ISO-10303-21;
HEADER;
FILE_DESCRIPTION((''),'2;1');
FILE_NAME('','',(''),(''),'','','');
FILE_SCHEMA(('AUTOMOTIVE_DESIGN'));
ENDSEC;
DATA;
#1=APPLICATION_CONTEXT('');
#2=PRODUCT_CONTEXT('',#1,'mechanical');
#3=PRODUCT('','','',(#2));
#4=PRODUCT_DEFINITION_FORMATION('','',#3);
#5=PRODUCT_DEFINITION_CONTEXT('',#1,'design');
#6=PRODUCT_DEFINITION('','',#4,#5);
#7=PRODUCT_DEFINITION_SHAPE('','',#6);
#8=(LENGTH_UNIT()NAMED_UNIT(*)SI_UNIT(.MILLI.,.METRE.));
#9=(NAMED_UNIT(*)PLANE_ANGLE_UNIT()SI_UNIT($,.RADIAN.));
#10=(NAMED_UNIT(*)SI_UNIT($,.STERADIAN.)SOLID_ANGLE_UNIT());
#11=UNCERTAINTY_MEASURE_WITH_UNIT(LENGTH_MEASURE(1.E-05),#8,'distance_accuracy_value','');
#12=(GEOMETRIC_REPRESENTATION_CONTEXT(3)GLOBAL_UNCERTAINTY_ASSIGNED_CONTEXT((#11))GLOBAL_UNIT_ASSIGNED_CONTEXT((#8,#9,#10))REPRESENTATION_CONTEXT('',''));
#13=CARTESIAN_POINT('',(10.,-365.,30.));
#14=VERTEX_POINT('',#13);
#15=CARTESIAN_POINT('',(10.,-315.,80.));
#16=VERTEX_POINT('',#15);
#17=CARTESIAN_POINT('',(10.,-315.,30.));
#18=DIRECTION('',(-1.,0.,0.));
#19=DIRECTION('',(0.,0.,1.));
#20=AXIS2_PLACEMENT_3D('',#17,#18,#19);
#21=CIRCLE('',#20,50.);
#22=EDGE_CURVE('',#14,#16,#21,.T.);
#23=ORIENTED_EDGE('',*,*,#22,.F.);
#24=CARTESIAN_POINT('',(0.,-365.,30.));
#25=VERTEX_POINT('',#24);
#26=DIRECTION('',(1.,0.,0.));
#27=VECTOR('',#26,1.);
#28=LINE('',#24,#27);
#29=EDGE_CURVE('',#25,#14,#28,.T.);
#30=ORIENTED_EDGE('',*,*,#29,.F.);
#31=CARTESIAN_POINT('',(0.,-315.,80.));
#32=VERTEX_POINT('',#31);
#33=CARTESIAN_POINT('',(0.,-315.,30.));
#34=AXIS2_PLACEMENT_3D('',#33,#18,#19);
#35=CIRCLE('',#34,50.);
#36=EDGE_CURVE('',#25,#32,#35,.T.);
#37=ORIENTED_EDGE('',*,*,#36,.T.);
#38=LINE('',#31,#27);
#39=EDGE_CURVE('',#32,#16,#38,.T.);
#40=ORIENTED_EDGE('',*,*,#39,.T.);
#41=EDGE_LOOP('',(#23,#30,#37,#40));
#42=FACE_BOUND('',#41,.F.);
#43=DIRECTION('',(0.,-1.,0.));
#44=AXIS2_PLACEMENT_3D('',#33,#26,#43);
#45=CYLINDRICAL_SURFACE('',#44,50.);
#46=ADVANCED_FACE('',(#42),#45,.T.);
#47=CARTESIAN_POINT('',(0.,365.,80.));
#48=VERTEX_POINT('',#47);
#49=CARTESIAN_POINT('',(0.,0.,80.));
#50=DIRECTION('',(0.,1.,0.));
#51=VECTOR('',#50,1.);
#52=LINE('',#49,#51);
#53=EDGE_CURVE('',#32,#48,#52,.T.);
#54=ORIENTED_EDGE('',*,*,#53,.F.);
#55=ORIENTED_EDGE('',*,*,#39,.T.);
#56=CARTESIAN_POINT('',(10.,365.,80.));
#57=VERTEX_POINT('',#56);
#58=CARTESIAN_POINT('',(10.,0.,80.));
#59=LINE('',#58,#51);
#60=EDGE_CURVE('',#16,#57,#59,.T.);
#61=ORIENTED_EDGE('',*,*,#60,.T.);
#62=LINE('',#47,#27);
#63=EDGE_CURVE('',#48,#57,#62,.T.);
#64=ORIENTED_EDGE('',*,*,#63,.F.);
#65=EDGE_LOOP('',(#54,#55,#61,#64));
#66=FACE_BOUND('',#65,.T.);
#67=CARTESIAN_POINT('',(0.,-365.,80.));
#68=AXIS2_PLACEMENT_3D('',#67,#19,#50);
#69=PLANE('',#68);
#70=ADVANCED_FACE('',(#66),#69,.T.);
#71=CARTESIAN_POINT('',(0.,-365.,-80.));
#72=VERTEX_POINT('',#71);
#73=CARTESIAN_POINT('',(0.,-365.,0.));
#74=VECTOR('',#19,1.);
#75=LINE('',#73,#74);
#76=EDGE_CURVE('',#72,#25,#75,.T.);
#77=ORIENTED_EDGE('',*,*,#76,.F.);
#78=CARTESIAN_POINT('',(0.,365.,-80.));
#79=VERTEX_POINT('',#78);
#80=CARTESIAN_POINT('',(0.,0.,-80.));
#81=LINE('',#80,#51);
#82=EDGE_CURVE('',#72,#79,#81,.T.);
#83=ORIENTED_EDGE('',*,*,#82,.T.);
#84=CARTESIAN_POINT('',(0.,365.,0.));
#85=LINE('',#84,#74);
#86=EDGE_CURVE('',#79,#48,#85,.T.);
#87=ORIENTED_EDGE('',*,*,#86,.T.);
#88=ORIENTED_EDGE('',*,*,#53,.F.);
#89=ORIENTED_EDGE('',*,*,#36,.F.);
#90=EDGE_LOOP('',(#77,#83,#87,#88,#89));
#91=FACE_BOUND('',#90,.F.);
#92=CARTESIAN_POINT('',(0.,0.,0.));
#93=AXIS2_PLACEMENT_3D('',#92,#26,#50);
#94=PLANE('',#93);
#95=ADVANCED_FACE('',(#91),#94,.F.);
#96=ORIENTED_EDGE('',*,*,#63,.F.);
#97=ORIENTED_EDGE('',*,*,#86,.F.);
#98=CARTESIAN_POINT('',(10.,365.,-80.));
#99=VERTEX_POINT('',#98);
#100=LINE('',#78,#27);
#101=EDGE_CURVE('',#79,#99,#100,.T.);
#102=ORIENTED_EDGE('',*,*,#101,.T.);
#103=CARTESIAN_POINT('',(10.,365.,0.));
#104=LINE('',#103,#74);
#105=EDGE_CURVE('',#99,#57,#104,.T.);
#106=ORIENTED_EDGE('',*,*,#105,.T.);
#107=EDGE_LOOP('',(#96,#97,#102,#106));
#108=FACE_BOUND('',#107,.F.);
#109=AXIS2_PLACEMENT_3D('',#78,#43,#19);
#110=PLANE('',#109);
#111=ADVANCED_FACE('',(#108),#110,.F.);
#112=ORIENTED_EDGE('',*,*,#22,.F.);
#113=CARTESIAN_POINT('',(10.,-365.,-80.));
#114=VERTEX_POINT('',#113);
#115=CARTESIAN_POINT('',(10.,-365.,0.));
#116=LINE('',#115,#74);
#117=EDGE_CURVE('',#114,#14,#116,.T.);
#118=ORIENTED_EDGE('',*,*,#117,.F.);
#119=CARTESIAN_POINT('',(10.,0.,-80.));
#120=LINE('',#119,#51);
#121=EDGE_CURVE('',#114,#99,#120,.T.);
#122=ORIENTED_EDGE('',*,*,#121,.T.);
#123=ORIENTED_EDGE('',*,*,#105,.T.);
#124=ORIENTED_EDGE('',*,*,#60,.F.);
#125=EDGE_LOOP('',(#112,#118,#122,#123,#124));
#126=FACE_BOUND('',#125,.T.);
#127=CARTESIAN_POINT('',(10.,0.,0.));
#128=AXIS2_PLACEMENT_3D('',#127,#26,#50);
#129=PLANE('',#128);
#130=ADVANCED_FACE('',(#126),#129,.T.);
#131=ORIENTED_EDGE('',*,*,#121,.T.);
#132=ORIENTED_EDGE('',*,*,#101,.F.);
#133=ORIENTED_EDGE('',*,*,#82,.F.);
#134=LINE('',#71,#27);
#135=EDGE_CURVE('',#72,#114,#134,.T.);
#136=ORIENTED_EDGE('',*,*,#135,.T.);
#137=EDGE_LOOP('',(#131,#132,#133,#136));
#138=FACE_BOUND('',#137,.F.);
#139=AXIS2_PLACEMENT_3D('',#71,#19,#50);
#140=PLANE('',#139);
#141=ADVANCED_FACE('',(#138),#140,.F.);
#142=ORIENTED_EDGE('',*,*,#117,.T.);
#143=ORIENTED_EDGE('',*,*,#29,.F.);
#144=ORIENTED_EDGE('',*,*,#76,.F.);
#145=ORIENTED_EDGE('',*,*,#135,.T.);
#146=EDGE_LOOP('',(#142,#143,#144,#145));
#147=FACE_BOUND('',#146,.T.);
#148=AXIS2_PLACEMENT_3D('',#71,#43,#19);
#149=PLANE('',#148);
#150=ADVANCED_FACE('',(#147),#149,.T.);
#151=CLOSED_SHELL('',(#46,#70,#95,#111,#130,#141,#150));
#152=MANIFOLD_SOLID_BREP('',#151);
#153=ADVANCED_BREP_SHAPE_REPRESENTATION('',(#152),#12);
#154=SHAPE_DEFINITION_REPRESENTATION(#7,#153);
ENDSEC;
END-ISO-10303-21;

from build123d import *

# Parameters (mm, degrees)
F0_W     = 730
F0_H     = 160
F1_DEPTH = 10
F2_R     = 50


with BuildPart() as f1:
    # F0 (on Right) → F1 (new body)
    with BuildSketch(Plane.YZ):
        Rectangle(F0_W, F0_H)
    extrude(amount=F1_DEPTH)

    # F2
    f2_edges = [f1.edges().sort_by_distance(p)[0] for p in [
        (5, -365, 80),
    ]]
    fillet(f2_edges, radius=F2_R)


solid = f1.part
